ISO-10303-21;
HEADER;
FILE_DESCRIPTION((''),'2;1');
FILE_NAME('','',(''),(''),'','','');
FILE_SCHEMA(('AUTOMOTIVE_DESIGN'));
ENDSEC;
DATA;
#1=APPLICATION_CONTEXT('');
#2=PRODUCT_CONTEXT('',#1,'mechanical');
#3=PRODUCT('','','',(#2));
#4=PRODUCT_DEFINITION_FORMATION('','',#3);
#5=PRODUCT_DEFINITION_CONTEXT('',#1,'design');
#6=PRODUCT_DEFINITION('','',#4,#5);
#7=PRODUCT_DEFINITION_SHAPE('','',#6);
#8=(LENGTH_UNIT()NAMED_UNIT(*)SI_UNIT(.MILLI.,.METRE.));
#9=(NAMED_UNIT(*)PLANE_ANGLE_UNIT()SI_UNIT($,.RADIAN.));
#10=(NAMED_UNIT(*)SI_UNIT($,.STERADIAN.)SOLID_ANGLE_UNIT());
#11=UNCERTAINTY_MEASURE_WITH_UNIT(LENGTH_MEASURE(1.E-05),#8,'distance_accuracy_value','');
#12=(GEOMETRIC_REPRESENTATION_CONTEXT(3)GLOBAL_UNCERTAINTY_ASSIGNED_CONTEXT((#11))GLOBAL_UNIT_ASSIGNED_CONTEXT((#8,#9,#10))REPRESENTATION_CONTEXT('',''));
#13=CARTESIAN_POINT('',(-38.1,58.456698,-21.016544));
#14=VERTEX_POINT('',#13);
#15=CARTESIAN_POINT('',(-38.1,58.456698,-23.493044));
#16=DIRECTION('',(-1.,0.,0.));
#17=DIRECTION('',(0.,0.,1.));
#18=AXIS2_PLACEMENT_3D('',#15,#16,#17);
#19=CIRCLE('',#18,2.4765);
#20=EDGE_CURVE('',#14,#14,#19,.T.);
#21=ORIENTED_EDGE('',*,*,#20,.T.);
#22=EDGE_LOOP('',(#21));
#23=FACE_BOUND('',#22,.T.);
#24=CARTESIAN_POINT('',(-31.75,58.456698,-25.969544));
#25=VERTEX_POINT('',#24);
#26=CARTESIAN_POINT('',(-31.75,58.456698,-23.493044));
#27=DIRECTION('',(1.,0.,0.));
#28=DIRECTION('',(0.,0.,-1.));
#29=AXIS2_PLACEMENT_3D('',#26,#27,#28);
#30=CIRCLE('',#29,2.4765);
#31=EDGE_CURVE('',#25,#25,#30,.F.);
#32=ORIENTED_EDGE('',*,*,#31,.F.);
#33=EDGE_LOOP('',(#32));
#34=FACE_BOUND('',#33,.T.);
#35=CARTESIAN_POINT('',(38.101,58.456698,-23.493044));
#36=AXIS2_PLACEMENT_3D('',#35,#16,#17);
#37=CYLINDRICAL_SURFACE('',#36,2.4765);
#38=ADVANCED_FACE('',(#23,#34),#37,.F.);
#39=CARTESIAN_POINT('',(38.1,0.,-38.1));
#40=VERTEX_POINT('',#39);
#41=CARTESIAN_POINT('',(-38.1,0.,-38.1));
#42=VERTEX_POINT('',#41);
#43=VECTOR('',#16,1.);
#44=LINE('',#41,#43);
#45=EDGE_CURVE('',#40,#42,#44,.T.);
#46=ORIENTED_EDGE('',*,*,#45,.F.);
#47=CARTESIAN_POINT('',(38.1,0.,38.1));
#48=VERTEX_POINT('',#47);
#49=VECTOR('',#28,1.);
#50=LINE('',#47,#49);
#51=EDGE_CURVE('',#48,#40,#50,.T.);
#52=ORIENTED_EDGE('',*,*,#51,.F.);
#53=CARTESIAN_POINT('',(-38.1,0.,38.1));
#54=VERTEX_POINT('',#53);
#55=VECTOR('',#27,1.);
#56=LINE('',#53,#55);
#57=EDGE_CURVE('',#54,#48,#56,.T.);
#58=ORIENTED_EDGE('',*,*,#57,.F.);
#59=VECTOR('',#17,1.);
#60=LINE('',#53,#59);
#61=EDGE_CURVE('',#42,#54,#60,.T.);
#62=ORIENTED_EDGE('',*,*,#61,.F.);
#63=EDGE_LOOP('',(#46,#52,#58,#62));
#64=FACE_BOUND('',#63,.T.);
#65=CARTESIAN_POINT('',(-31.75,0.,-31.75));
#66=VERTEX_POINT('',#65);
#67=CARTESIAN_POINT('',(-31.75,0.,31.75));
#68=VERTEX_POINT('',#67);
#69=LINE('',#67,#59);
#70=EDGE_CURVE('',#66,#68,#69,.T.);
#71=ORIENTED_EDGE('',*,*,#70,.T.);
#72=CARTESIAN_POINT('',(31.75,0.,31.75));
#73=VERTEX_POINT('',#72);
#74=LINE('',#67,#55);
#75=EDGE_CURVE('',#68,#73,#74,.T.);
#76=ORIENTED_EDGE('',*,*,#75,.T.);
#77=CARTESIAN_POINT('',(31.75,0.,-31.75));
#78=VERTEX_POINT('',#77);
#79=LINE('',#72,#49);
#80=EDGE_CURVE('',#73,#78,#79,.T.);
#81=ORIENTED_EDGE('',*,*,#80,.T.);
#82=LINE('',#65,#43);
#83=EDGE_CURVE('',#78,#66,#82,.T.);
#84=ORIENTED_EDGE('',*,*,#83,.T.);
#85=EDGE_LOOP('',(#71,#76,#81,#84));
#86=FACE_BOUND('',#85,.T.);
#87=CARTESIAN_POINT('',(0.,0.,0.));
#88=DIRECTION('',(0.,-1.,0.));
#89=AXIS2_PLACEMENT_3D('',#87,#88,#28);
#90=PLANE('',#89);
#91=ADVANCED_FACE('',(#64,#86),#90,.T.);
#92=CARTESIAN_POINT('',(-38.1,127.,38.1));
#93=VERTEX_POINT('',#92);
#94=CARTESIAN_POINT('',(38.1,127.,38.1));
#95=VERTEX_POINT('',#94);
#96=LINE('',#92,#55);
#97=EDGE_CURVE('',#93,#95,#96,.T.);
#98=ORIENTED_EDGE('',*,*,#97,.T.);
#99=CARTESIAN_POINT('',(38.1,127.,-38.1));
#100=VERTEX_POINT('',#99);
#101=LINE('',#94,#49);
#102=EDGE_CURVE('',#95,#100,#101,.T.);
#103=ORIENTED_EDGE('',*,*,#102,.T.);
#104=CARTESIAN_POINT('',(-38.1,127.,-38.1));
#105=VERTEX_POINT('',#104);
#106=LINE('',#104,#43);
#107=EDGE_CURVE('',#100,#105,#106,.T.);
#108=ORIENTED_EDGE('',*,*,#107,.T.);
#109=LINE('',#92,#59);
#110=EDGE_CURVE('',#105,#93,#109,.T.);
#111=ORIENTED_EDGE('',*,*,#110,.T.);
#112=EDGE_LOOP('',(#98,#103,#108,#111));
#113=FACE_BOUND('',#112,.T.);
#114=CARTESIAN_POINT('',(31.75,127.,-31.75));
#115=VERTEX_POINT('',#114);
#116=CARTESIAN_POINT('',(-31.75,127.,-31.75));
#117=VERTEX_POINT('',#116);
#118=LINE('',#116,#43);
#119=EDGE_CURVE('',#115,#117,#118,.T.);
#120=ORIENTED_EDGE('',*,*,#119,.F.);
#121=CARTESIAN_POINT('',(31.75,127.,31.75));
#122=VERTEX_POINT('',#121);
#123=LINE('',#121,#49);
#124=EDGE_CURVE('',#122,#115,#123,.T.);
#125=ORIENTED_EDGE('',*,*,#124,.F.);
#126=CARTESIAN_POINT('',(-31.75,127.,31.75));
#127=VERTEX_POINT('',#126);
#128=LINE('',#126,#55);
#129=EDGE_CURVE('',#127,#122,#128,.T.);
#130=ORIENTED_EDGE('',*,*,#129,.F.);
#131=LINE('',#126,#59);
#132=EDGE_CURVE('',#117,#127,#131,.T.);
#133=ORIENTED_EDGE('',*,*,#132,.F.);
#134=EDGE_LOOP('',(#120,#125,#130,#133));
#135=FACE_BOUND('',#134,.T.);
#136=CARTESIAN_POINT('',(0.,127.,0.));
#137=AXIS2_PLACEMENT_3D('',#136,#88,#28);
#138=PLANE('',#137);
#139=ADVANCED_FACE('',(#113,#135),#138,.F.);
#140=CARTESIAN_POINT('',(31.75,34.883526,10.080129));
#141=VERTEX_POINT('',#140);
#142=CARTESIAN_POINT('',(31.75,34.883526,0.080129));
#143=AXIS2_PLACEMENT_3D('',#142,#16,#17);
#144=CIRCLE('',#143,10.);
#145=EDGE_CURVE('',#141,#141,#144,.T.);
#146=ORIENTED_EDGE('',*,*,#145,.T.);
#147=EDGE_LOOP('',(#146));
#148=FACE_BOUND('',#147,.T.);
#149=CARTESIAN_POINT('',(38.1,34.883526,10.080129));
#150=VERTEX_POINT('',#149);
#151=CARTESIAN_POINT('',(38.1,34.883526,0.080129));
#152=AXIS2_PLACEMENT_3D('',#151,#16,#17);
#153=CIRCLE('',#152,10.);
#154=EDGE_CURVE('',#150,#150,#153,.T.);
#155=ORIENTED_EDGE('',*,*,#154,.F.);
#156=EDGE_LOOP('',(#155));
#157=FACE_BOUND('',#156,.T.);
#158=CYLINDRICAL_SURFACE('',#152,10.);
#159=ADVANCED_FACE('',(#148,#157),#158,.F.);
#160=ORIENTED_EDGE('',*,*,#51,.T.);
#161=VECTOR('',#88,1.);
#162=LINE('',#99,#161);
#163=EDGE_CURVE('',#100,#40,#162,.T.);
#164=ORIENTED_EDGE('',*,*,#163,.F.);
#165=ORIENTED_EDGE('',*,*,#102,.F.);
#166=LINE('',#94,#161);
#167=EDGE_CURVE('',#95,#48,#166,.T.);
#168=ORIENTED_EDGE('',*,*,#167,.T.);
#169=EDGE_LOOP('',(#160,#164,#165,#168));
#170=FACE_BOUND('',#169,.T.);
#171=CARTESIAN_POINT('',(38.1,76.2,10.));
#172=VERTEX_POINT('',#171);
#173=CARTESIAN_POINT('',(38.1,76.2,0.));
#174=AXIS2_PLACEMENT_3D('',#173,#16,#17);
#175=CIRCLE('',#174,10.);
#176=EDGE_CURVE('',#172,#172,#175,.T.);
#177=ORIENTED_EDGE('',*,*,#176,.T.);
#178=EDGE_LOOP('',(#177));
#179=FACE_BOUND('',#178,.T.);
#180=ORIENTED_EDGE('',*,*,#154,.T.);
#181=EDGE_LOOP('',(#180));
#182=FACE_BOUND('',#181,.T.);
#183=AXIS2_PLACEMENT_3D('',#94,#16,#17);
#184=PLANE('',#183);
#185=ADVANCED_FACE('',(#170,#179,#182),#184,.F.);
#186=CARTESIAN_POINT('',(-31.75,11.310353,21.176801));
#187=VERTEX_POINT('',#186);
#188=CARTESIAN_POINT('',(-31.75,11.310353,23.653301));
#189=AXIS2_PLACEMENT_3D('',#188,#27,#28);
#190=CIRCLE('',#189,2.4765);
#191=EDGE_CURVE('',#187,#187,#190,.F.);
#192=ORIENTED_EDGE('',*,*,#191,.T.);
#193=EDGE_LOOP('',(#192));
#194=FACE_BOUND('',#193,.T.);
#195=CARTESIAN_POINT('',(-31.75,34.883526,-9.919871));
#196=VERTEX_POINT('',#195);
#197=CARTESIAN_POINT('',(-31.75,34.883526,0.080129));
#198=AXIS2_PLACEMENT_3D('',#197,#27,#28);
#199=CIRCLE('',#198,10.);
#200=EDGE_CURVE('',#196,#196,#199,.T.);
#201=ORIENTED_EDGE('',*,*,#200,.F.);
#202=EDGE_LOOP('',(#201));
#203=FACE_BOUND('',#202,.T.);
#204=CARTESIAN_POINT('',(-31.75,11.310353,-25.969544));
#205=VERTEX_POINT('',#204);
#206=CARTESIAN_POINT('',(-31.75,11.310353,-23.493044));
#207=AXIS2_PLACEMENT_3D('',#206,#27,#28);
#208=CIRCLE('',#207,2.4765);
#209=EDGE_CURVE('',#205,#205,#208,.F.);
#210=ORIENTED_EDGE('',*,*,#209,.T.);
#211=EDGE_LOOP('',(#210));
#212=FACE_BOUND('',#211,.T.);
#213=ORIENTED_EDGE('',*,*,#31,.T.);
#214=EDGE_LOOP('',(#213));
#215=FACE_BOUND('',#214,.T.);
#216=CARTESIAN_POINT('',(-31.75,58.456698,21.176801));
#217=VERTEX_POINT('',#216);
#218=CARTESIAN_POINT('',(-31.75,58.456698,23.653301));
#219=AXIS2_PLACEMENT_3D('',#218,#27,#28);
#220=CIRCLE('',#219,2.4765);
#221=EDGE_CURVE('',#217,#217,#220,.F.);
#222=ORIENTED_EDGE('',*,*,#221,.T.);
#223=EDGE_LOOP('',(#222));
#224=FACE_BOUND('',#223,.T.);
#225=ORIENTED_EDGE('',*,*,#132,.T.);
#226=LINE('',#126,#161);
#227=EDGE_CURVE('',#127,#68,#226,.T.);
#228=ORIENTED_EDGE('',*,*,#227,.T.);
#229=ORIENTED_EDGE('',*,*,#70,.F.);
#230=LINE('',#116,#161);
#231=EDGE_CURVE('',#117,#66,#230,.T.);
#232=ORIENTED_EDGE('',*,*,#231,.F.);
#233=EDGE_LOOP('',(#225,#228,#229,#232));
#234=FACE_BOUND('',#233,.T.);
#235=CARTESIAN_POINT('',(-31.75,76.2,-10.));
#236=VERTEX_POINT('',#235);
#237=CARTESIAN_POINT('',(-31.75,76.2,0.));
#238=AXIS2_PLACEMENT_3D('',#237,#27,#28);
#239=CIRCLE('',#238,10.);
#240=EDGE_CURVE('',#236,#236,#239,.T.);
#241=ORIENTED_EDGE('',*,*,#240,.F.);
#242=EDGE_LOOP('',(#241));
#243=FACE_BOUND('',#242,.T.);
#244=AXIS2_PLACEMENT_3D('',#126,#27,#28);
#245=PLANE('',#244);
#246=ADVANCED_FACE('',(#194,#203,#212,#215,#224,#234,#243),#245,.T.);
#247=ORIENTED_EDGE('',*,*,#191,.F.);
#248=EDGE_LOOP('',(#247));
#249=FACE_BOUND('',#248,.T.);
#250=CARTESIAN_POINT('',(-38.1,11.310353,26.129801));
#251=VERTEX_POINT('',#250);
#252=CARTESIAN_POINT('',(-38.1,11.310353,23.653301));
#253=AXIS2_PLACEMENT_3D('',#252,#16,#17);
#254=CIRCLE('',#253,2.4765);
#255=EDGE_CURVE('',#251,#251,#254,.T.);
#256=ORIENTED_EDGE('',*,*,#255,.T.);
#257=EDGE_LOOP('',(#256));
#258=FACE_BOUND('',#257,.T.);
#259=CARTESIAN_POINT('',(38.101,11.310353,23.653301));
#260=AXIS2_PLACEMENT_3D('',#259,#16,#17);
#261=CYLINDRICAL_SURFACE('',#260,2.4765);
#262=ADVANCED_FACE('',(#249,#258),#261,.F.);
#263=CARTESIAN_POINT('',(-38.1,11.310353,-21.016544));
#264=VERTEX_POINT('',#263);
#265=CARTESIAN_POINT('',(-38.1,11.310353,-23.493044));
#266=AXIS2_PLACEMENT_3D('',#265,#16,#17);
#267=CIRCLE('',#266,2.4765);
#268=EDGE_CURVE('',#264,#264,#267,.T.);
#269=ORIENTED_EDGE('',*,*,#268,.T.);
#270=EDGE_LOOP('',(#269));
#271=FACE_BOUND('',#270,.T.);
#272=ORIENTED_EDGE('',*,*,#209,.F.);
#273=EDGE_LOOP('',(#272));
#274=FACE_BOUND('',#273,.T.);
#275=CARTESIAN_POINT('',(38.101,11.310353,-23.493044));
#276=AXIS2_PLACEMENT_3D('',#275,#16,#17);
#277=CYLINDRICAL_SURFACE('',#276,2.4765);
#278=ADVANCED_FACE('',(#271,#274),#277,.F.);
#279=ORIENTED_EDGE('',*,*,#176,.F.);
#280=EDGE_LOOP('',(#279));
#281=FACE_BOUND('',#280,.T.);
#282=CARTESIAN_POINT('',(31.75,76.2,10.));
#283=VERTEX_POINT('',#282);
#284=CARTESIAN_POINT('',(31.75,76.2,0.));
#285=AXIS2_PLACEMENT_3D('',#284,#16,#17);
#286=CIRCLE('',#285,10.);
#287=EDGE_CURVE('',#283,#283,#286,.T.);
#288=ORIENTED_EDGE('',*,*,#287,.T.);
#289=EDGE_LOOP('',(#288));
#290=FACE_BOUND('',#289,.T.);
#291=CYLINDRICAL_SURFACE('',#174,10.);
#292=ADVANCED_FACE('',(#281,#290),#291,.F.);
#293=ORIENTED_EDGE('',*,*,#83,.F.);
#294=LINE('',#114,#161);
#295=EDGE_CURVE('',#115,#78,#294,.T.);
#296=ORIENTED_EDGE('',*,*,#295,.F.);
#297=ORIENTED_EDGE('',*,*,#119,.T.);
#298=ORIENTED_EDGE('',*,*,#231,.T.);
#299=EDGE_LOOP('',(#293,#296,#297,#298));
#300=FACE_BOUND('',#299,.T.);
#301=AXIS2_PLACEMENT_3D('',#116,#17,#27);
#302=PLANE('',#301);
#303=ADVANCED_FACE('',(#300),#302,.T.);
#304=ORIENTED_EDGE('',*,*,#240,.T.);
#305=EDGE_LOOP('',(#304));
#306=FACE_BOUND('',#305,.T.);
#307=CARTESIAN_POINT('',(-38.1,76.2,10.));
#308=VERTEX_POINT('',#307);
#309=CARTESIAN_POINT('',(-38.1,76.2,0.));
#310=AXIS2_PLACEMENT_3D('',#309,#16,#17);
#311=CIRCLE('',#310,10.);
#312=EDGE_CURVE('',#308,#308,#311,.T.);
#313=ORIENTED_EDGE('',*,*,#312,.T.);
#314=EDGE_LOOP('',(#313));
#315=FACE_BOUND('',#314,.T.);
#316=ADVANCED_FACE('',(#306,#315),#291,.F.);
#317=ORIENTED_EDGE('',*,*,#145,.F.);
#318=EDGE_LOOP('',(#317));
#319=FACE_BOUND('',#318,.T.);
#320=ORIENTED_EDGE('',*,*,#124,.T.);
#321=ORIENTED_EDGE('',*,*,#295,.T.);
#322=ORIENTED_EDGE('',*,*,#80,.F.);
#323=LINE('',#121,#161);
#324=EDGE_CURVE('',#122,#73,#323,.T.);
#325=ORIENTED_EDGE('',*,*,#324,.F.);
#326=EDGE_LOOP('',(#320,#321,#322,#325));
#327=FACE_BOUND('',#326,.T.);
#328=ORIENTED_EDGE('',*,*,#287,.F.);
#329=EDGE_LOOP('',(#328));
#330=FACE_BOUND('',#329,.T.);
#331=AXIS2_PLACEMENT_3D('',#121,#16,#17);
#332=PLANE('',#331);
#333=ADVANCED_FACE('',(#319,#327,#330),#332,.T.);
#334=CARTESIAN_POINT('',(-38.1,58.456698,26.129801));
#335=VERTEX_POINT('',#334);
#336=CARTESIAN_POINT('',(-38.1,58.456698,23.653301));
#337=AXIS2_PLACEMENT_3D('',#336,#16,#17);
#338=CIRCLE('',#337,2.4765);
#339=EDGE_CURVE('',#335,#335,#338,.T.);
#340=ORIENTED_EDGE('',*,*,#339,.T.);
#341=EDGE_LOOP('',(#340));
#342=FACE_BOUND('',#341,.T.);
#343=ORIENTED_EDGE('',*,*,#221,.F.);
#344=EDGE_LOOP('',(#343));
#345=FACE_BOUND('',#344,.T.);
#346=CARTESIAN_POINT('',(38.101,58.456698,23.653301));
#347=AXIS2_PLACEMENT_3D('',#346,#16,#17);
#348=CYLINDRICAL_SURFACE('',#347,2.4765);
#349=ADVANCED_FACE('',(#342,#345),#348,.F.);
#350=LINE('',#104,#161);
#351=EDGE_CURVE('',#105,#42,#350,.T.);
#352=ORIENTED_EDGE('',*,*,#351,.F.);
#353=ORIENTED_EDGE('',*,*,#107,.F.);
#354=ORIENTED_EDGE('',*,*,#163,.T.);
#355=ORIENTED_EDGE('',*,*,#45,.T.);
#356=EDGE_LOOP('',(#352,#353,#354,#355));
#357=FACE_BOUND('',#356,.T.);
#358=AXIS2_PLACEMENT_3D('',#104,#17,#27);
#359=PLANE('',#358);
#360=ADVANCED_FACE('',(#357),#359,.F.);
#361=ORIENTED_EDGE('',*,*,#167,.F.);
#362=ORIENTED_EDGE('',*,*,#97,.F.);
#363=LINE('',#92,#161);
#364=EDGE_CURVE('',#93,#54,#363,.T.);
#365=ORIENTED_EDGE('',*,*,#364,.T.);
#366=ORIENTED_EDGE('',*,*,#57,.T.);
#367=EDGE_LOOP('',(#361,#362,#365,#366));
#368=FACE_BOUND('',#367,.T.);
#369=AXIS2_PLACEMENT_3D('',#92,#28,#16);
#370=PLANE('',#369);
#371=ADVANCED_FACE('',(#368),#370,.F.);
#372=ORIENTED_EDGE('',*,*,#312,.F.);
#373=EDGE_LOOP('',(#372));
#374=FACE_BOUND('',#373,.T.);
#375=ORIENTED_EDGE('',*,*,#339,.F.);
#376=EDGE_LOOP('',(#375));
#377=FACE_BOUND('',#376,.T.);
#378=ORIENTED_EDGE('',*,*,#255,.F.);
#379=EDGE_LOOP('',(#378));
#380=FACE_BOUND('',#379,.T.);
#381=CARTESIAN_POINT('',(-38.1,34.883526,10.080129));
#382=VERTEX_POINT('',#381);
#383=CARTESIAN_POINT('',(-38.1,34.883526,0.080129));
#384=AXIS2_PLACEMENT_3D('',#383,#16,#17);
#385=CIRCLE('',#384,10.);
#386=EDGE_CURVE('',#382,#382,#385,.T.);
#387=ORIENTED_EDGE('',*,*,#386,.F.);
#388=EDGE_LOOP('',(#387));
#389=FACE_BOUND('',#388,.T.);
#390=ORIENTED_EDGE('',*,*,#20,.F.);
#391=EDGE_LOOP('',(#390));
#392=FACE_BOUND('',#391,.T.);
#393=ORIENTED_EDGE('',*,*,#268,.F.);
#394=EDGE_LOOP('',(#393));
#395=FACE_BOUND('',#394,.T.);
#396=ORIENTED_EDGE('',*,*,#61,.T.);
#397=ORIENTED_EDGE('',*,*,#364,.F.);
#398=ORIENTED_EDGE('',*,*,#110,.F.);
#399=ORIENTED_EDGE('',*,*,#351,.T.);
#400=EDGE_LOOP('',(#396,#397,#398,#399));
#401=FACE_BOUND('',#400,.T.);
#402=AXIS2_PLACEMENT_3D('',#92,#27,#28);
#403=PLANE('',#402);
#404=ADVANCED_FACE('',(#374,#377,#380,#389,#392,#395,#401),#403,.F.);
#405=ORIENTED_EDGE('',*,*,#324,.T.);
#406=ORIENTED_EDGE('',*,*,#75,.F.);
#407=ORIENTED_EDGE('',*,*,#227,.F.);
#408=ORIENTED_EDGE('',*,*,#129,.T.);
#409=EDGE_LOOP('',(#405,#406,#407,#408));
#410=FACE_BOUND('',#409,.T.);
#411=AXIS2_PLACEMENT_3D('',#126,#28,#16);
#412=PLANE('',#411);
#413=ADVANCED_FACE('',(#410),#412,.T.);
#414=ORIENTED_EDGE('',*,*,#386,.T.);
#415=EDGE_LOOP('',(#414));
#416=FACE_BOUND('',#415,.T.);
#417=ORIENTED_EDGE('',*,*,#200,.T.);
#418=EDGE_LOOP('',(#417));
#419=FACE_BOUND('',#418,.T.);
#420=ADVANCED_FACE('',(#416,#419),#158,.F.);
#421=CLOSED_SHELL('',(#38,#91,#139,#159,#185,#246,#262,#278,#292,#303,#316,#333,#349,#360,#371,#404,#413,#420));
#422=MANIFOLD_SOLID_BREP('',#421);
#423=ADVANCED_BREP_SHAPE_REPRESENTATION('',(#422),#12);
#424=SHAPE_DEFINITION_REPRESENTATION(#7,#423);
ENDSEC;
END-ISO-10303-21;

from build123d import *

# Parameters (mm, degrees)
SKETCH1_W           = 76.2
SKETCH1_H           = 76.2
SKETCH1_W_2         = 63.5
SKETCH1_H_2         = 63.5
BOSS_EXTRUDE3_DEPTH = 127
CUT_EXTRUDE4_REACH  = 154.928
SKETCH5_R           = 2.4765
SKETCH5_3_R         = 10
CUT_EXTRUDE5_DEPTH  = 153.928251151
SKETCH6_R           = 10
CUT_EXTRUDE6_DEPTH  = 153.928251151


with BuildPart() as part:
    # Sketch1 → Boss-Extrude3 (new body)
    with BuildSketch(Plane(origin=(0, 0, 0), x_dir=(1, 0, 0), z_dir=(0, 1, 0))):
        Rectangle(SKETCH1_W, SKETCH1_H)
        Rectangle(SKETCH1_W_2, SKETCH1_H_2, mode=Mode.SUBTRACT)
    extrude(amount=BOSS_EXTRUDE3_DEPTH)

    # Sketch5 → Cut-Extrude4 (cut, up to next)
    with BuildSketch(Plane.ZY.offset(38.1), mode=Mode.PRIVATE) as cut_extrude4_sk1:
        with Locations((-23.493043794, 58.456697864)):
            Circle(SKETCH5_R)
    cut_extrude4_tool1 = extrude(cut_extrude4_sk1.sketch, amount=-CUT_EXTRUDE4_REACH, mode=Mode.PRIVATE) & part.part
    # Sketch5 → Cut-Extrude4 (cut, up to next)
    with BuildSketch(Plane.ZY.offset(38.1), mode=Mode.PRIVATE) as cut_extrude4_sk2:
        with Locations((23.653300841, 58.456697864)):
            Circle(SKETCH5_R)
    cut_extrude4_tool2 = extrude(cut_extrude4_sk2.sketch, amount=-CUT_EXTRUDE4_REACH, mode=Mode.PRIVATE) & part.part
    # Sketch5 → Cut-Extrude4 (cut, up to next)
    with BuildSketch(Plane.ZY.offset(38.1), mode=Mode.PRIVATE) as cut_extrude4_sk3:
        with Locations((23.653300841, 11.310353228)):
            Circle(SKETCH5_R)
    cut_extrude4_tool3 = extrude(cut_extrude4_sk3.sketch, amount=-CUT_EXTRUDE4_REACH, mode=Mode.PRIVATE) & part.part
    # Sketch5 → Cut-Extrude4 (cut, up to next)
    with BuildSketch(Plane.ZY.offset(38.1), mode=Mode.PRIVATE) as cut_extrude4_sk4:
        with Locations((-23.493043794, 11.310353228)):
            Circle(SKETCH5_R)
    cut_extrude4_tool4 = extrude(cut_extrude4_sk4.sketch, amount=-CUT_EXTRUDE4_REACH, mode=Mode.PRIVATE) & part.part
    add(cut_extrude4_tool1.solids().sort_by_distance((-38.1, 58.456698, -23.493044))[0], mode=Mode.SUBTRACT)
    add(cut_extrude4_tool2.solids().sort_by_distance((-38.1, 58.456698, 23.653301))[0], mode=Mode.SUBTRACT)
    add(cut_extrude4_tool3.solids().sort_by_distance((-38.1, 11.310353, 23.653301))[0], mode=Mode.SUBTRACT)
    add(cut_extrude4_tool4.solids().sort_by_distance((-38.1, 11.310353, -23.493044))[0], mode=Mode.SUBTRACT)

    # Sketch5<3> → Cut-Extrude5 (cut, through all)
    with BuildSketch(Plane.ZY.offset(38.1)):
        with Locations((0.080128523, 34.883525546)):
            Circle(SKETCH5_3_R)
    extrude(amount=-CUT_EXTRUDE5_DEPTH, mode=Mode.SUBTRACT)

    # Sketch6 → Cut-Extrude6 (cut, through all)
    with BuildSketch(Plane.ZY.offset(38.1)):
        with Locations((0, 76.2)):
            Circle(SKETCH6_R)
    extrude(amount=-CUT_EXTRUDE6_DEPTH, mode=Mode.SUBTRACT)


solid = part.part
